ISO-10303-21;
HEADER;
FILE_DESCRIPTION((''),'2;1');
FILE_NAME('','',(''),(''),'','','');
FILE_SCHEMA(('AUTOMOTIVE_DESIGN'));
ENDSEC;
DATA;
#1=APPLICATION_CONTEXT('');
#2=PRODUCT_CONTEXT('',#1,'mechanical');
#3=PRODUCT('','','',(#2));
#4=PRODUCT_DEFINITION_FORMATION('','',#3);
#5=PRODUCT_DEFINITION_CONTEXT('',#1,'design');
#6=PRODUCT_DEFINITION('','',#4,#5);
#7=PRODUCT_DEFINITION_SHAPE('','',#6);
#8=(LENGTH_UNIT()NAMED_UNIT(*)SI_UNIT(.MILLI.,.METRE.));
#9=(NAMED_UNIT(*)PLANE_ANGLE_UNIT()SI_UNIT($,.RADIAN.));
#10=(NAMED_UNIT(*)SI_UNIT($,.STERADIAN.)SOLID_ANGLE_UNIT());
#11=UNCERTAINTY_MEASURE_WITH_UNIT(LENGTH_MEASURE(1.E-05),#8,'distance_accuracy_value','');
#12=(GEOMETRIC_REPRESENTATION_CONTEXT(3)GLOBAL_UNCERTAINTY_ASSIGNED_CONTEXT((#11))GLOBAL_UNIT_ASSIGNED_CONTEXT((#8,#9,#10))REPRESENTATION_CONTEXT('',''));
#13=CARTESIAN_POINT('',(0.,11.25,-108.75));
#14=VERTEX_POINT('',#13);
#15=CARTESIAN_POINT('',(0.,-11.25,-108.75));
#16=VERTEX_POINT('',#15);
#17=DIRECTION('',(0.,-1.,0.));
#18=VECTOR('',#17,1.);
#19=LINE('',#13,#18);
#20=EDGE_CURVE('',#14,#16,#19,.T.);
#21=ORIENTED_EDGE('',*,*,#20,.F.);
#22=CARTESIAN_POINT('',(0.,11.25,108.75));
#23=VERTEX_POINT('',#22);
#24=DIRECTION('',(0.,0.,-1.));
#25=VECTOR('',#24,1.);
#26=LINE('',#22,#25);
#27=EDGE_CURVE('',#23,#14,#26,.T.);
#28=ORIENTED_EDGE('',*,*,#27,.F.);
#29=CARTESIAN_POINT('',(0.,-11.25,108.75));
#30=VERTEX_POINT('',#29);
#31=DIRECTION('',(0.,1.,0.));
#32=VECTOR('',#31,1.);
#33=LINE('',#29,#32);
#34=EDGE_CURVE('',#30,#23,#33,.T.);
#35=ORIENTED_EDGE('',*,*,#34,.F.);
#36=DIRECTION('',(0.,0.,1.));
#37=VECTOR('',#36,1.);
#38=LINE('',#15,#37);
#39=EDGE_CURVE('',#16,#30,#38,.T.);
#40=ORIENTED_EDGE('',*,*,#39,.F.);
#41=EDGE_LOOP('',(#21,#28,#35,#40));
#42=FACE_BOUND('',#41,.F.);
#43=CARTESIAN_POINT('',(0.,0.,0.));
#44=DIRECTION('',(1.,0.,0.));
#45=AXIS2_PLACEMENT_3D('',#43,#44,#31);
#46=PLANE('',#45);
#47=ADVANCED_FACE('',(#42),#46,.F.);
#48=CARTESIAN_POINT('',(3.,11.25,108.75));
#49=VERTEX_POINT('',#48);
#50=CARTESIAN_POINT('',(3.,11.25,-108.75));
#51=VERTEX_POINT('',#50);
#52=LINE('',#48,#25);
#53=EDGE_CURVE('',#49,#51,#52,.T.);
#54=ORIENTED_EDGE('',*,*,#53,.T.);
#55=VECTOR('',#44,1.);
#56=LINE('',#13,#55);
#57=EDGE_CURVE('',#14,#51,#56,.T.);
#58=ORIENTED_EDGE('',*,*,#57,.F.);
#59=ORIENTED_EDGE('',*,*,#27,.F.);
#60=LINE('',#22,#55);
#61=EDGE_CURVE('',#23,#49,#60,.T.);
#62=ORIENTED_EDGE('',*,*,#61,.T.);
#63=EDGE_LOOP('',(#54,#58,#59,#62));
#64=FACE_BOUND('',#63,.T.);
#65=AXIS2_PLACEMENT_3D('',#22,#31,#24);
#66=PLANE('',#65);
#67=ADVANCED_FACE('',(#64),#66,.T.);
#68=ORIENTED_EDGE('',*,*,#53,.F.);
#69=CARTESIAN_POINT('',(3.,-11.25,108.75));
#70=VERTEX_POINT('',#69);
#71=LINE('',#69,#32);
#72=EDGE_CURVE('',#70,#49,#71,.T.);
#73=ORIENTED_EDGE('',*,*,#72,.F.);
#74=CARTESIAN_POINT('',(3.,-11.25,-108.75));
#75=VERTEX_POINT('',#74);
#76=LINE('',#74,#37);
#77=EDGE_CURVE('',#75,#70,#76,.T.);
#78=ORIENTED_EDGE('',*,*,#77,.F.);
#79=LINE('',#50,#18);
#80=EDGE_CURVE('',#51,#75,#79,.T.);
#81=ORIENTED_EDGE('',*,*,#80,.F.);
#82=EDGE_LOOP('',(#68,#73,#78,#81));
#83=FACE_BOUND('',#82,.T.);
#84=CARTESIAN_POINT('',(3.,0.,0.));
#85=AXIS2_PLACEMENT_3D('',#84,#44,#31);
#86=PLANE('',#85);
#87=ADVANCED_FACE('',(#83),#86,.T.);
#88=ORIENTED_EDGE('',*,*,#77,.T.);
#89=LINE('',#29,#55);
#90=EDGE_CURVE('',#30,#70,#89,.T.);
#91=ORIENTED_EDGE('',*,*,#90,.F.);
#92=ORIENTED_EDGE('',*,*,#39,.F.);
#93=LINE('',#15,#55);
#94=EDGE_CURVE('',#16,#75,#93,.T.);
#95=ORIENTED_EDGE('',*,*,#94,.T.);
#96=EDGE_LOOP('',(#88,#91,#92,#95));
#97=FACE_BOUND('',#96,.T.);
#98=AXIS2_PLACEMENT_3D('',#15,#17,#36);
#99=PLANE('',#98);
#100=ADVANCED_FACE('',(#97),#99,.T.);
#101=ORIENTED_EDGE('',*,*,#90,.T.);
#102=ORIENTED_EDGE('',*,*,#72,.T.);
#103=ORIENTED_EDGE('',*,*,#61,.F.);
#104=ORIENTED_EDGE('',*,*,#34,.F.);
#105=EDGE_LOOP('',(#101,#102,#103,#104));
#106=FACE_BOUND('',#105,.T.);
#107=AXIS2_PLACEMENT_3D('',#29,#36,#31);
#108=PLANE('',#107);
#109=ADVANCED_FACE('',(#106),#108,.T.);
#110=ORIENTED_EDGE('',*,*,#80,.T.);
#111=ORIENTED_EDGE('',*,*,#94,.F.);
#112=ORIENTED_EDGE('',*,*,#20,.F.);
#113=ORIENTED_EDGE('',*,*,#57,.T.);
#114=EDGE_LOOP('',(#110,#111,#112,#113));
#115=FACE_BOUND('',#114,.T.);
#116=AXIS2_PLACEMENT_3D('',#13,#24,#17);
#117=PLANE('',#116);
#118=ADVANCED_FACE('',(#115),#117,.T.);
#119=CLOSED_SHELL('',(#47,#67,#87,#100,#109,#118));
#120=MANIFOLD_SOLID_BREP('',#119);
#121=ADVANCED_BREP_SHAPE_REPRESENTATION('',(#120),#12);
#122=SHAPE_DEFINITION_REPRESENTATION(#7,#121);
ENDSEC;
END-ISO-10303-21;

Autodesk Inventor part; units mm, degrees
ref_plane "YZ Plane" through (0, 0, 0) normal (1, 0, 0) x (0, 1, 0)
ref_plane "XZ Plane" through (0, 0, 0) normal (0, 1, 0) x (-1, 0, 0)
ref_plane "XY Plane" through (0, 0, 0) normal (0, 0, 1) x (1, 0, 0)
sketch "Sketch1" plane through (0, 0, 0) normal (1, 0, 0) x (0, 1, 0)
  line L0 (-11.25, 108.75) -> (11.25, 108.75)
  line L1 (11.25, 108.75) -> (11.25, -108.75)
  line L2 (11.25, -108.75) -> (-11.25, -108.75)
  line L3 (-11.25, -108.75) -> (-11.25, 108.75)
  line L4 (-11.25, 108.75) -> (11.25, -108.75) construction
  line L5 (11.25, 108.75) -> (-11.25, -108.75) construction
  point P0 (0, 0)
  dimension "d0" = 217.5
  dimension "d1" = 22.5
extrude "Extrusion1" add sketch "Sketch1" along normal blind 3
equation "\"BendRadius\" = Thickness"
equation "\"BendReliefWidth\" = Thickness"
equation "\"BendReliefDepth\" = 0.5 * Thickness"
equation "\"CornerReliefSize\" = 4 * Thickness"
equation "\"MinimumRemnant\" = 2 * Thickness"
equation "\"TransitionRadius\" = BendRadius"
equation "\"JacobiRadiusSize\" = BendRadius"
equation "\"GapSize\" = Thickness"
equation "\"Thickness\" = 3.048"
properties part number "TapaLateral"
